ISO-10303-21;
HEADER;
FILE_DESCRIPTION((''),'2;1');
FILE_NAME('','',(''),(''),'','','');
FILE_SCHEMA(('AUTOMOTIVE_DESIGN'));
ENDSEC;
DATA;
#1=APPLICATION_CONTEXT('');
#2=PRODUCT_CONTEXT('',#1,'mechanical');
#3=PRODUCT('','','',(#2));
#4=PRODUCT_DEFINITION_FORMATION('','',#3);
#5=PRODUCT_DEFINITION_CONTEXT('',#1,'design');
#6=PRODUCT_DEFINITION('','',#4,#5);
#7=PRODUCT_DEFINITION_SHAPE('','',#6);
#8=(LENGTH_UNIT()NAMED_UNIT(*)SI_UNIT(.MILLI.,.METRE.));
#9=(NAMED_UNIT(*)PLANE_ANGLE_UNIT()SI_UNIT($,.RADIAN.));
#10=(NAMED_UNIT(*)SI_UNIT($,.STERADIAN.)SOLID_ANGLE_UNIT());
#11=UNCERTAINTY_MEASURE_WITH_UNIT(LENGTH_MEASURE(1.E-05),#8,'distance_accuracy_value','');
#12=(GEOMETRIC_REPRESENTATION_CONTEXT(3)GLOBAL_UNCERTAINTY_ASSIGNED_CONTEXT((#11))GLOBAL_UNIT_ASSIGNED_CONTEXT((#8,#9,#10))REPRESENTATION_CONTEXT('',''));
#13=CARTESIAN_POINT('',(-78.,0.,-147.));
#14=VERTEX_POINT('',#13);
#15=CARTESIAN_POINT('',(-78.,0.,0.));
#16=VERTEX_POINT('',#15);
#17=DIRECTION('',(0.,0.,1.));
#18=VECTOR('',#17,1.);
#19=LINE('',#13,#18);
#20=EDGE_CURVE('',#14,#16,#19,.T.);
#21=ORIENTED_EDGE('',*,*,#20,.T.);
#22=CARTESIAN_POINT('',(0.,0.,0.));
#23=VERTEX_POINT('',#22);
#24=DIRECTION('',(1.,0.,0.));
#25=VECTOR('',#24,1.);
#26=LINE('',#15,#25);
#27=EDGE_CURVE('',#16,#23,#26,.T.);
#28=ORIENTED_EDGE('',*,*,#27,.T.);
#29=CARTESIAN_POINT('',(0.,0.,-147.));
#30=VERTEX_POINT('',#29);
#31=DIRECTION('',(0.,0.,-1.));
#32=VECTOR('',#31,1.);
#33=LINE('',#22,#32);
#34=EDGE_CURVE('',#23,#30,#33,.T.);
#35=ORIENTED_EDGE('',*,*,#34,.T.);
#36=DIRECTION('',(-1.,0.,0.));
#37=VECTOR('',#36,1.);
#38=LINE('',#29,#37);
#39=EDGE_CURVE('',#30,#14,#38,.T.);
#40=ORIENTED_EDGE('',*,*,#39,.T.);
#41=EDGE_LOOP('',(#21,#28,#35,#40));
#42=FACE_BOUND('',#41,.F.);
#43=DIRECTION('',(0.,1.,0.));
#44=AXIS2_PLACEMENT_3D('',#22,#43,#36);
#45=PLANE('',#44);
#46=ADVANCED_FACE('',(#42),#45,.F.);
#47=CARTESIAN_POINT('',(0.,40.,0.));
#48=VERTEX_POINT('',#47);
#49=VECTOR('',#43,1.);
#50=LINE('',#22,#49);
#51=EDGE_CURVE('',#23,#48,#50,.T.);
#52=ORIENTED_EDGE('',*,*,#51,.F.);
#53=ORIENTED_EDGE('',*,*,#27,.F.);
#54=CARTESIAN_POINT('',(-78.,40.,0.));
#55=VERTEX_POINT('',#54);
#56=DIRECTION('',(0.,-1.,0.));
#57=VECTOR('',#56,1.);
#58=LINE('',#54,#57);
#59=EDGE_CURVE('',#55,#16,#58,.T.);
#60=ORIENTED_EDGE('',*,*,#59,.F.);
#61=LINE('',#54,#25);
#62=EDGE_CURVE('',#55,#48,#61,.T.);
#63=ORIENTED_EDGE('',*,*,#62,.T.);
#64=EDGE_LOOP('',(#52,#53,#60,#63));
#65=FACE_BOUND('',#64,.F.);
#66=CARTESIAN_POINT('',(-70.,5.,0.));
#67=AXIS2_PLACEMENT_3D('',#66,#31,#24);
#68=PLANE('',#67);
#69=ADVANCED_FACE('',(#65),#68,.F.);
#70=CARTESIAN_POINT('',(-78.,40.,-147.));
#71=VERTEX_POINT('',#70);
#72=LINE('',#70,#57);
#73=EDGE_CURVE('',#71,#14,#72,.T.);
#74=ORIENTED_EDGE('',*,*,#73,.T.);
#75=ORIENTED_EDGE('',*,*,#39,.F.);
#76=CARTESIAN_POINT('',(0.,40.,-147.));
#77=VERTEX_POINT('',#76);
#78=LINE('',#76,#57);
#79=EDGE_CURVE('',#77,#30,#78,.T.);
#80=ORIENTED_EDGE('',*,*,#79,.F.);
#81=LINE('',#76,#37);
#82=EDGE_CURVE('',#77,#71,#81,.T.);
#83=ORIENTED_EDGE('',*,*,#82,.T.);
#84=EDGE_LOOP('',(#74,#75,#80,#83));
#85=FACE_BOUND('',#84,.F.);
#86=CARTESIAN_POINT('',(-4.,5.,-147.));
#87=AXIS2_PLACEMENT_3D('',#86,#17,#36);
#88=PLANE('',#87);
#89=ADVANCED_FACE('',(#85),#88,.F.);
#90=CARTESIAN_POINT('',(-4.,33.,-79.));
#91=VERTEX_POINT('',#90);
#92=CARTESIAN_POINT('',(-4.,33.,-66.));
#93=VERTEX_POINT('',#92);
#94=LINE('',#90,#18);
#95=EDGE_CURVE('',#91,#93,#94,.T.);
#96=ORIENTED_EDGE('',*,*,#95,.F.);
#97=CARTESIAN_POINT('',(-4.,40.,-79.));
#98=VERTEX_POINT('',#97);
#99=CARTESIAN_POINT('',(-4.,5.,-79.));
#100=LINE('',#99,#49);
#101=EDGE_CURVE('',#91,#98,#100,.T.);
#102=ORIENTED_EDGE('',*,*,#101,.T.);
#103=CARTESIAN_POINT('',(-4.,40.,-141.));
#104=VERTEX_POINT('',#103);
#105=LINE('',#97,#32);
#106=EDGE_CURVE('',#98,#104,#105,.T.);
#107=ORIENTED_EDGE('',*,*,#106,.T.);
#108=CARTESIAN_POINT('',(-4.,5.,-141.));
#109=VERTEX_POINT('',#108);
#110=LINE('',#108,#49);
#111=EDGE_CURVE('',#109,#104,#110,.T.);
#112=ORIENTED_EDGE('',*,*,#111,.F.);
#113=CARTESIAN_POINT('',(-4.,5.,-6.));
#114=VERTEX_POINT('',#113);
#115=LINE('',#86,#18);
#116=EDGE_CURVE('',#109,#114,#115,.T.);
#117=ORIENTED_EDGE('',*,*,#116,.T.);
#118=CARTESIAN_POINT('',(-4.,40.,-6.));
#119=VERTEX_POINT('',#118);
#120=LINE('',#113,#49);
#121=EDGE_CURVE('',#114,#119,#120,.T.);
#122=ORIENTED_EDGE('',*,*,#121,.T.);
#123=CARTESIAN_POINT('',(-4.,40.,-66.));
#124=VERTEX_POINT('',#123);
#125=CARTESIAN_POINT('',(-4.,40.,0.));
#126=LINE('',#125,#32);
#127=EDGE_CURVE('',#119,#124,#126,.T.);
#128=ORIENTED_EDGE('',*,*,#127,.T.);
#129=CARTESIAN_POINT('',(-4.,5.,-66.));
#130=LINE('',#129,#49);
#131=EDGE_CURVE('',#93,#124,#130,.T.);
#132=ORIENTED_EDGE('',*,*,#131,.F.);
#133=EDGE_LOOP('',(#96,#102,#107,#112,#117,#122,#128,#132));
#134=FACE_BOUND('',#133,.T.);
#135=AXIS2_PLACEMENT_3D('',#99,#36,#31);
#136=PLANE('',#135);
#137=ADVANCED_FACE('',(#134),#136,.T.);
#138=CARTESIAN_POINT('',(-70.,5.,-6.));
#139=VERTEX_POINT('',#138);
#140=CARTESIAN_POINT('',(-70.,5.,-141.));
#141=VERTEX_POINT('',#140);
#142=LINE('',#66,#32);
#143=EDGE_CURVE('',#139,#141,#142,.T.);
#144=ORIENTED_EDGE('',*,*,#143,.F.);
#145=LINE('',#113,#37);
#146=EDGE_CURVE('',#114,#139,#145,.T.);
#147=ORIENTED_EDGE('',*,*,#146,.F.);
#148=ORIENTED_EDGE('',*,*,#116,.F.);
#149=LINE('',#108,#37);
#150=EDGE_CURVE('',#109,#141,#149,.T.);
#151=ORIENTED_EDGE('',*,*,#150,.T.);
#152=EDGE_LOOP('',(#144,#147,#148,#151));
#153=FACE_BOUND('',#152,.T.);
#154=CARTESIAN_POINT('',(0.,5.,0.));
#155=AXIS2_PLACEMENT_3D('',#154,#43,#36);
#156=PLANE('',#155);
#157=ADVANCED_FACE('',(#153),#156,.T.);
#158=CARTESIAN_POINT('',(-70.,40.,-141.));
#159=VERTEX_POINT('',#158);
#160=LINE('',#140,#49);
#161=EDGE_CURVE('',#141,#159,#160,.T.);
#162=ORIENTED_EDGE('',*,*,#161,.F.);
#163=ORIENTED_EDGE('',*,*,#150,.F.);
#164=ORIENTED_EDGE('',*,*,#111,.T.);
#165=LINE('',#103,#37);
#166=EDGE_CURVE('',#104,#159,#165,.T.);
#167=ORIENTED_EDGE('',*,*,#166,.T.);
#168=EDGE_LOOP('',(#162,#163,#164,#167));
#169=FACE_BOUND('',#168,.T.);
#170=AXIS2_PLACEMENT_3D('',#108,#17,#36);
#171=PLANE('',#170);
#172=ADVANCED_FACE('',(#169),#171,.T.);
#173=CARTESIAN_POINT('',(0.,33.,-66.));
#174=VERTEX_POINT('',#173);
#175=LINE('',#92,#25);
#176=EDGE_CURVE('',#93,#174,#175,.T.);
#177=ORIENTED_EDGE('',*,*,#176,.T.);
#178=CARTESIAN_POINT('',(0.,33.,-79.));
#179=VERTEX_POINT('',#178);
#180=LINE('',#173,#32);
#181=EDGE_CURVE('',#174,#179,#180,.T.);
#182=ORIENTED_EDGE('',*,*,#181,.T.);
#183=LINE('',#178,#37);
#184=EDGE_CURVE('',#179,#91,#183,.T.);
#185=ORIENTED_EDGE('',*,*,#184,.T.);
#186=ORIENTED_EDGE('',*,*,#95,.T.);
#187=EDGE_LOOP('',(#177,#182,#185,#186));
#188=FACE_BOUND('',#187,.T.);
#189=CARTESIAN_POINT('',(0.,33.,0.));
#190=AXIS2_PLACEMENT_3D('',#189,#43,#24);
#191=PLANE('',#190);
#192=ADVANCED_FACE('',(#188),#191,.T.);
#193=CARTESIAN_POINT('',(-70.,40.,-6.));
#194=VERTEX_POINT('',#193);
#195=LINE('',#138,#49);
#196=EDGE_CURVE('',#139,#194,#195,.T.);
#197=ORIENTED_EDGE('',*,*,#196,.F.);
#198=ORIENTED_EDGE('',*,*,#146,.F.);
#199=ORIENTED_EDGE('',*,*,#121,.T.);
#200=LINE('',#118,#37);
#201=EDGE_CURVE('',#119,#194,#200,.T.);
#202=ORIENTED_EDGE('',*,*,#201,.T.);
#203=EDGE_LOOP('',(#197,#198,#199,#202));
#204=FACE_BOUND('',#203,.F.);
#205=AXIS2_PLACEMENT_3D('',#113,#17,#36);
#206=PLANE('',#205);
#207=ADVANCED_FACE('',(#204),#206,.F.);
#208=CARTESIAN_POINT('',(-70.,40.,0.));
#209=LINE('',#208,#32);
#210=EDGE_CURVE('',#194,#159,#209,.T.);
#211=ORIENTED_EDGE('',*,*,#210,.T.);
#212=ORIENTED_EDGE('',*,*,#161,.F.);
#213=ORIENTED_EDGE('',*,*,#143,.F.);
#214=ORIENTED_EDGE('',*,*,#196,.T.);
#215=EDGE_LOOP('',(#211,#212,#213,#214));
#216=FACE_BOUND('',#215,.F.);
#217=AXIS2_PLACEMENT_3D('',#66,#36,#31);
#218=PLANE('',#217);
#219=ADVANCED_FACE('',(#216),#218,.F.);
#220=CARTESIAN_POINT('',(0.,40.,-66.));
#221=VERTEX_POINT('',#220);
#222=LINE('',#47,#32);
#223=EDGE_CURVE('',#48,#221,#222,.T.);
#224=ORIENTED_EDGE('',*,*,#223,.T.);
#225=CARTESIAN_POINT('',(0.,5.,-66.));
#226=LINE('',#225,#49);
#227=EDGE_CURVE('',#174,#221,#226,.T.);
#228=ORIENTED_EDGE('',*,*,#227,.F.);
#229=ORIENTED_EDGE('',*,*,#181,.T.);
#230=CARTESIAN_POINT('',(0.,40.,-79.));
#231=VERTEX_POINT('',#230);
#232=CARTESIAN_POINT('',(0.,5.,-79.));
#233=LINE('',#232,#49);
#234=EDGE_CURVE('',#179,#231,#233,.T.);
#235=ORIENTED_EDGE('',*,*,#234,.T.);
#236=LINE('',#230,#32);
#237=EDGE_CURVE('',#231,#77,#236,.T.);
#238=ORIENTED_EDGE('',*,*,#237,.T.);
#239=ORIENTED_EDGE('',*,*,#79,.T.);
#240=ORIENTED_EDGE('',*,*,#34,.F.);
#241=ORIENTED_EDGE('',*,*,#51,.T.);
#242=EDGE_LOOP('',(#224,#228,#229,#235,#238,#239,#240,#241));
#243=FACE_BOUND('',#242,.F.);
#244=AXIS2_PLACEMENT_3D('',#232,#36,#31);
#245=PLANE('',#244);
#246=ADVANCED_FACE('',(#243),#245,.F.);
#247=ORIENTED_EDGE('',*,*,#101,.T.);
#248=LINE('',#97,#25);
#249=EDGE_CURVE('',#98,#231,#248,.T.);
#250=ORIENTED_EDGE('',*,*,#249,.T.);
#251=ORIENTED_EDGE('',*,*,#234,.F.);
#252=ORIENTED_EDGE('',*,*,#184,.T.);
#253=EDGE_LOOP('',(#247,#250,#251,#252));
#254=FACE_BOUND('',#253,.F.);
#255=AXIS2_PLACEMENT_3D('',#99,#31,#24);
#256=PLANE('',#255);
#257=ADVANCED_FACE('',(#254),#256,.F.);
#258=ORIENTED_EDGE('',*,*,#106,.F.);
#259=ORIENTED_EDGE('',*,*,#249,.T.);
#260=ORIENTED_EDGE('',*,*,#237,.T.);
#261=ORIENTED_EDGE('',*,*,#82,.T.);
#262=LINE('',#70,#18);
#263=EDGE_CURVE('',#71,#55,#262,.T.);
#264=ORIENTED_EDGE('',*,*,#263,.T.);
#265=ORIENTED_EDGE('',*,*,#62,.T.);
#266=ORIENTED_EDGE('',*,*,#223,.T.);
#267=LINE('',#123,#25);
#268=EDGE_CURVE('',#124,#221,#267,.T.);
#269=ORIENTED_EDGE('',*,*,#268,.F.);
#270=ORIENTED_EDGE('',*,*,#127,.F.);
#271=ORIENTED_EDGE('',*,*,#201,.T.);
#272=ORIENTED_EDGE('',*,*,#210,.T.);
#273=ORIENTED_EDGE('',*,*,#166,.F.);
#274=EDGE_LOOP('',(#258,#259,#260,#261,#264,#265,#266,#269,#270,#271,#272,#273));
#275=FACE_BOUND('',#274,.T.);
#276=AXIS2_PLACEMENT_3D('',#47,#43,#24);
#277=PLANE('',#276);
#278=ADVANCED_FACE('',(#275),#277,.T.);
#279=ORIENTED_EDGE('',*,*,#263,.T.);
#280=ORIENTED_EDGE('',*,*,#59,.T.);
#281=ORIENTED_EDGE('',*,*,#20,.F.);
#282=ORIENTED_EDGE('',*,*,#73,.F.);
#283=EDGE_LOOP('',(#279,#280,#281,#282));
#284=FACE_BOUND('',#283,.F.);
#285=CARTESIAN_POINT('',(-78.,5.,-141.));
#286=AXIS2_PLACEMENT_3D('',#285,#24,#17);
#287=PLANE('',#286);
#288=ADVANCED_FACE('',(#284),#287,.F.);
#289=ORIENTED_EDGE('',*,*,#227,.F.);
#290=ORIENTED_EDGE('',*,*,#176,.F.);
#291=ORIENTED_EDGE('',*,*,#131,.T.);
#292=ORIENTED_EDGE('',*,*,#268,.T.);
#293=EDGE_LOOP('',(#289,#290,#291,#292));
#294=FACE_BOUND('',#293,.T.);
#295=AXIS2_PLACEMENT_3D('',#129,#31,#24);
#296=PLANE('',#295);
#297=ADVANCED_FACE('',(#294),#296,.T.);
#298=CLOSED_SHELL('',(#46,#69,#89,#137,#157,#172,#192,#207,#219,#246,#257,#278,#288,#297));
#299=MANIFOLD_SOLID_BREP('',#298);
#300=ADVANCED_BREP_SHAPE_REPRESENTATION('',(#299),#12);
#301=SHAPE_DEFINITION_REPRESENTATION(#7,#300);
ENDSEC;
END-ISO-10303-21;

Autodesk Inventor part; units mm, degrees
ref_plane "YZ Plane" through (0, 0, 0) normal (1, 0, 0) x (0, 1, 0)
ref_plane "XZ Plane" through (0, 0, 0) normal (0, 1, 0) x (-1, 0, 0)
ref_plane "XY Plane" through (0, 0, 0) normal (0, 0, 1) x (1, 0, 0)
sketch "Sketch1" plane through (0, 0, 0) normal (0, 1, 0) x (-1, 0, 0)
  point P0 (0, 0)
sketch "Sketch2" plane through (0, 0, 0) normal (0, 1, 0) x (-1, 0, 0)
  line L0 (0, 0) -> (0, -147)
  line L1 (0, -147) -> (78, -147)
  line L2 (78, -147) -> (78, 0)
  line L3 (78, 0) -> (0, 0)
  dimension "d0" = 147
  dimension "d1" = 78
extrude "Extrusion1" add sketch "Sketch2" along normal blind 5
sketch "Sketch3" plane through (0, 5, 0) normal (0, 1, 0) x (1, 0, 0)
  line L0 (0, 0) -> (0, 147) projected
  line L1 (-78, 0) -> (0, 0) projected
  line L2 (0, 0) -> (-4, 0)
  line L3 (-4, 0) -> (-4, 66)
  line L4 (-4, 66) -> (0, 66)
  dimension "d4" = 4
  dimension "d5" = 66
extrude "Extrusion2" add sketch "Sketch3" along normal blind 35
sketch "Sketch4" plane through (0, 5, 0) normal (0, 1, 0) x (1, 0, 0)
  line L0 (-4, 66) -> (0, 66) projected
  line L1 (0, 66) -> (0, 147) projected
  line L2 (0, 66) -> (0, 79)
  line L3 (0, 79) -> (-4, 79)
  line L4 (-4, 79) -> (-4, 66)
  point P0 (0, 0)
  dimension "d8" = 13
extrude "Extrusion3" add sketch "Sketch4" along normal blind 28
sketch "Sketch5" plane through (0, 5, 0) normal (0, 1, 0) x (1, 0, 0)
  line L0 (-4, 79) -> (0, 79) projected
  line L1 (0, 79) -> (0, 147) projected
  line L2 (0, 147) -> (-78, 147) projected
  line L3 (-4, 79) -> (-4, 147)
  line L4 (0, 147) -> (0, 79)
  point P0 (0, 0)
extrude "Extrusion4" add sketch "Sketch5" along normal blind 35
sketch "Sketch6" plane through (0, 5, 0) normal (0, 1, 0) x (1, 0, 0)
  line L0 (-4, 0) -> (-4, 147) projected
  line L1 (-4, 147) -> (-78, 147) projected
  line L2 (-78, 147) -> (-78, 0) projected
  line L3 (-4, 147) -> (-4, 141)
  line L4 (-4, 141) -> (-78, 141)
  line L5 (-78, 147) -> (-4, 147)
  point P0 (0, 0)
  dimension "d13" = 6
extrude "Extrusion5" add sketch "Sketch6" along normal blind 35
sketch "Sketch7" plane through (0, 5, 0) normal (0, 1, 0) x (1, 0, 0)
  line L0 (-4, 141) -> (-78, 141) projected
  line L1 (-78, 141) -> (-78, 0) projected
  line L2 (-78, 0) -> (-4, 0) projected
  line L3 (-78, 141) -> (-78, 0)
  line L4 (-78, 0) -> (-70, 0)
  line L5 (-70, 0) -> (-70, 141)
  point P0 (0, 0)
  dimension "d16" = 8
extrude "Extrusion6" add sketch "Sketch7" along normal blind 35
sketch "Sketch8" plane through (0, 5, 0) normal (0, 1, 0) x (1, 0, 0)
  line L0 (-70, 141) -> (-70, 0) projected
  line L1 (-70, 0) -> (-4, 0) projected
  line L2 (-4, 0) -> (-4, 141) projected
  line L3 (-4, 141) -> (-70, 141) projected
  line L4 (-4, 0) -> (-70, 0)
  line L5 (-4, 0) -> (-4, 6)
  line L6 (-4, 6) -> (-70, 6)
  point P0 (0, 0)
  dimension "d19" = 6
extrude "Extrusion7" add sketch "Sketch8" along normal blind 35 contours L6 L2 L1 L0
properties part number "caixav2"
